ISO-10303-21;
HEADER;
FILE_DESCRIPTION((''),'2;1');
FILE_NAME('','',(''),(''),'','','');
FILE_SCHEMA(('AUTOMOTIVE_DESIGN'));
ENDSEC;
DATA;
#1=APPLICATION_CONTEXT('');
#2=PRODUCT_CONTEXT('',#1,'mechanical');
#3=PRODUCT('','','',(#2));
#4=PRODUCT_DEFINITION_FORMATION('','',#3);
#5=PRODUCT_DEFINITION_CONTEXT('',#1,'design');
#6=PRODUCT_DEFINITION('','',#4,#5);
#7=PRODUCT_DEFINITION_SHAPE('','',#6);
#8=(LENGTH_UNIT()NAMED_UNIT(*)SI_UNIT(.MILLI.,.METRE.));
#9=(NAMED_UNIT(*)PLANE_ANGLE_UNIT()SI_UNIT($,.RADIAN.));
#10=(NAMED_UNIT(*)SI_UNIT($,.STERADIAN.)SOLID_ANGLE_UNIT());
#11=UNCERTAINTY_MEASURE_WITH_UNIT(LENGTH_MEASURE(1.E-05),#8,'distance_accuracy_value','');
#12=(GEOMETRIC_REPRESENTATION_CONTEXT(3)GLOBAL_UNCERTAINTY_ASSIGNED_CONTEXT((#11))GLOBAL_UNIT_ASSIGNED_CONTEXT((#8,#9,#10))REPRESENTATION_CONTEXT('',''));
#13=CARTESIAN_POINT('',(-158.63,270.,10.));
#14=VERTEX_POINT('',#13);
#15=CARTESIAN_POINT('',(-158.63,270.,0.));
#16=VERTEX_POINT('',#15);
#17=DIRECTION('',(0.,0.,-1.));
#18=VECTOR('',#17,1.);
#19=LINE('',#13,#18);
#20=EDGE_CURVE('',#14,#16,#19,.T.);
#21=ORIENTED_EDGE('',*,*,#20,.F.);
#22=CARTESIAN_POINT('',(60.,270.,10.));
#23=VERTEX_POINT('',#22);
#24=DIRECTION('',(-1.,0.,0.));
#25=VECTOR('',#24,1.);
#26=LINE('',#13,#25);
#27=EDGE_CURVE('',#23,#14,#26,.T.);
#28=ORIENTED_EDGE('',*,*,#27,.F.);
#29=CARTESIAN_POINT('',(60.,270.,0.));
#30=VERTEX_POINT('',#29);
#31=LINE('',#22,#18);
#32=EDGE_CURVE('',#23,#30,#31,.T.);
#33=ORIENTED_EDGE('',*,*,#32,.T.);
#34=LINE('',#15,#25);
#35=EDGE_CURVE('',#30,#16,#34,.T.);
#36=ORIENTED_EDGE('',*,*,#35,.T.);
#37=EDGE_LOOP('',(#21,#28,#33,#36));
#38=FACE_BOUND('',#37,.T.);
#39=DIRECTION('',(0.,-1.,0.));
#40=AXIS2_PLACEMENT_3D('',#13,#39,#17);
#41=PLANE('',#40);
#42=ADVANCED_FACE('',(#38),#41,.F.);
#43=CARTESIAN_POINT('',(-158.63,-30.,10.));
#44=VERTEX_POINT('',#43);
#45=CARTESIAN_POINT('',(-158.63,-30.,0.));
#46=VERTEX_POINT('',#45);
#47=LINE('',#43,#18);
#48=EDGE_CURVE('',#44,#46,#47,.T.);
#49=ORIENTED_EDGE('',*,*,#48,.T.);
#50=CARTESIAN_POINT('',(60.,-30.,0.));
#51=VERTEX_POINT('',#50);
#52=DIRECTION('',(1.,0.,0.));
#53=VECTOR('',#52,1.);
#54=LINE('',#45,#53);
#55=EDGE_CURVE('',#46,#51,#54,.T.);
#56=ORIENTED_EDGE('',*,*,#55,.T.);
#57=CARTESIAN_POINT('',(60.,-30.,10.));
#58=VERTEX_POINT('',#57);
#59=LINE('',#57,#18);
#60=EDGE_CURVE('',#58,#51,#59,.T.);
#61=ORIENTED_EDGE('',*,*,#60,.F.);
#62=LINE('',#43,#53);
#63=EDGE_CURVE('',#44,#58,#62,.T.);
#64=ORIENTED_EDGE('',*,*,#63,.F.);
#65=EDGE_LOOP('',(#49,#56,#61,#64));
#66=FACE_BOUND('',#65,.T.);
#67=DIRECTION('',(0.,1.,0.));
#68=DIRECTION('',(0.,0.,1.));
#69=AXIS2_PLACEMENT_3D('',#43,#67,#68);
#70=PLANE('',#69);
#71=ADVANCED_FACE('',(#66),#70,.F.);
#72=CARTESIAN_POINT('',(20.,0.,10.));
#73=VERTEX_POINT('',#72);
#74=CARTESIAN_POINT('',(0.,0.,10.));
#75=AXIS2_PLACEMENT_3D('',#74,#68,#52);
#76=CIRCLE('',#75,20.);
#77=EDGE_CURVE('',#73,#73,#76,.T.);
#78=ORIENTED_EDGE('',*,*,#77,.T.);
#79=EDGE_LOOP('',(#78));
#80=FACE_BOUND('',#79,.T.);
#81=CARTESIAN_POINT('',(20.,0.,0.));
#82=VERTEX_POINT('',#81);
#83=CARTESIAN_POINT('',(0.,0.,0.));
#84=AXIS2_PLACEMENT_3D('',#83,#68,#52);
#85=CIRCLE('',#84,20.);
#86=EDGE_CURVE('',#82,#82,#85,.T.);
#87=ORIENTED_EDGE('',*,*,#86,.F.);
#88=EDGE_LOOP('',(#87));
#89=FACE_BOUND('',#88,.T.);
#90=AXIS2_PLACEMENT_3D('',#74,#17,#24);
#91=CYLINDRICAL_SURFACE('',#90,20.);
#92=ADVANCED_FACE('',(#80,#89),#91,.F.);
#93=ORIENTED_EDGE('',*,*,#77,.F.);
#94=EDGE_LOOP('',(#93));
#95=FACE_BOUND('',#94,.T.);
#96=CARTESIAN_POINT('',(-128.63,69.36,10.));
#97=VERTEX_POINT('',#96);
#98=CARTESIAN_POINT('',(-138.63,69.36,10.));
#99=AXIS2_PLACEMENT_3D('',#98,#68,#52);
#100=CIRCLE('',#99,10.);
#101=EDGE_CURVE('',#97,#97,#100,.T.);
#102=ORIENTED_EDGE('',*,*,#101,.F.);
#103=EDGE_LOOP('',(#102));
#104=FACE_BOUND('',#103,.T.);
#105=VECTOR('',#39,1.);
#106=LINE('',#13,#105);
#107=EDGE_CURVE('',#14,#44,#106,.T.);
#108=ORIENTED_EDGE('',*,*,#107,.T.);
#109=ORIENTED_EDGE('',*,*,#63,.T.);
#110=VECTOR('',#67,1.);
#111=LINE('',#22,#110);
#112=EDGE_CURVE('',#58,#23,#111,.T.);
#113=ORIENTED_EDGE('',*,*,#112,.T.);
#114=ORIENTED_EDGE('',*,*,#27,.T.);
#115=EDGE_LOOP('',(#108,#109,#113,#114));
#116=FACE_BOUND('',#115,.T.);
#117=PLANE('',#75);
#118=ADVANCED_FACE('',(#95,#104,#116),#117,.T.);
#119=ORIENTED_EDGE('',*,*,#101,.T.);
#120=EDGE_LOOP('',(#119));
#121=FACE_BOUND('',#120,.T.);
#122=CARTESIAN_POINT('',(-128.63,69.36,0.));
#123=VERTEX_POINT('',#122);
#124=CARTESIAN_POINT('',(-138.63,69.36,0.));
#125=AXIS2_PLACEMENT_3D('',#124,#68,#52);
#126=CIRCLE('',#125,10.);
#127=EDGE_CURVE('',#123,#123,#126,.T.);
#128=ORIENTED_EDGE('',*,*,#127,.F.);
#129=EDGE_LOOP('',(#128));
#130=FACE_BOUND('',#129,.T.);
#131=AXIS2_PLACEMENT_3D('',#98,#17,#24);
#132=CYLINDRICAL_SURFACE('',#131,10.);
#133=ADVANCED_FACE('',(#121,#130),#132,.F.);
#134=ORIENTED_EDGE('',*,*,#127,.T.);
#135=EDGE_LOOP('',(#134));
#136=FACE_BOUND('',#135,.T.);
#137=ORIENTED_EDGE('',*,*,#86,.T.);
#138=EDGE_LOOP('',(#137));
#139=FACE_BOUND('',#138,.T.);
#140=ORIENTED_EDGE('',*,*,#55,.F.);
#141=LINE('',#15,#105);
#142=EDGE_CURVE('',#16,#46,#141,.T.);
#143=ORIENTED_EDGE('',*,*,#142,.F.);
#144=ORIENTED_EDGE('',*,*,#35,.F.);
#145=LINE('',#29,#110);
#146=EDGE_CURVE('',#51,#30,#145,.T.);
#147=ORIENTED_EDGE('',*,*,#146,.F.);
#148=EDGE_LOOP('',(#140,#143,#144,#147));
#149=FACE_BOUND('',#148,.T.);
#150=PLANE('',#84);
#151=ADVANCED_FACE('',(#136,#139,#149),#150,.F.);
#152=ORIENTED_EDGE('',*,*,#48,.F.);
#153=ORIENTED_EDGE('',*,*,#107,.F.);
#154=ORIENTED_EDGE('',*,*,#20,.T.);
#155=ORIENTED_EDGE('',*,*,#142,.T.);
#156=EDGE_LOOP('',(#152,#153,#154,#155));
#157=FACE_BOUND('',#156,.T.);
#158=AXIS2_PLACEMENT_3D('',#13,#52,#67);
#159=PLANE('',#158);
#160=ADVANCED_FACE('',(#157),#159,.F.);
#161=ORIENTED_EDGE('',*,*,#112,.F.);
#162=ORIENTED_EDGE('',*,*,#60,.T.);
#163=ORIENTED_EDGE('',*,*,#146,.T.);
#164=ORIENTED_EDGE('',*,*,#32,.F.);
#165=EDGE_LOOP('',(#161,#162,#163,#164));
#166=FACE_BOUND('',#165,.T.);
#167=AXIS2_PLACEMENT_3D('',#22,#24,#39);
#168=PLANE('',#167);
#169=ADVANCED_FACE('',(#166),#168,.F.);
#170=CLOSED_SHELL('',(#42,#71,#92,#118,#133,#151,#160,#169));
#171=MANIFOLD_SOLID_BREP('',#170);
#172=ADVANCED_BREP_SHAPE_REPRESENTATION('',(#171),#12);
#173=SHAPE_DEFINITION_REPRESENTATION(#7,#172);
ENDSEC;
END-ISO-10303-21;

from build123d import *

# Parameters (mm, degrees)
SKETCH1_W           = 218.63
SKETCH1_H           = 300
SKETCH1_R           = 20
SKETCH1_R_2         = 10
BOSS_EXTRUDE1_DEPTH = 10


with BuildPart() as part:
    # Sketch1 → Boss-Extrude1 (new body)
    with BuildSketch(Plane.XY):
        with Locations((-49.315, 120)):
            Rectangle(SKETCH1_W, SKETCH1_H)
        Circle(SKETCH1_R, mode=Mode.SUBTRACT)
        with Locations((-138.63, 69.36)):
            Circle(SKETCH1_R_2, mode=Mode.SUBTRACT)
    extrude(amount=BOSS_EXTRUDE1_DEPTH)


solid = part.part
